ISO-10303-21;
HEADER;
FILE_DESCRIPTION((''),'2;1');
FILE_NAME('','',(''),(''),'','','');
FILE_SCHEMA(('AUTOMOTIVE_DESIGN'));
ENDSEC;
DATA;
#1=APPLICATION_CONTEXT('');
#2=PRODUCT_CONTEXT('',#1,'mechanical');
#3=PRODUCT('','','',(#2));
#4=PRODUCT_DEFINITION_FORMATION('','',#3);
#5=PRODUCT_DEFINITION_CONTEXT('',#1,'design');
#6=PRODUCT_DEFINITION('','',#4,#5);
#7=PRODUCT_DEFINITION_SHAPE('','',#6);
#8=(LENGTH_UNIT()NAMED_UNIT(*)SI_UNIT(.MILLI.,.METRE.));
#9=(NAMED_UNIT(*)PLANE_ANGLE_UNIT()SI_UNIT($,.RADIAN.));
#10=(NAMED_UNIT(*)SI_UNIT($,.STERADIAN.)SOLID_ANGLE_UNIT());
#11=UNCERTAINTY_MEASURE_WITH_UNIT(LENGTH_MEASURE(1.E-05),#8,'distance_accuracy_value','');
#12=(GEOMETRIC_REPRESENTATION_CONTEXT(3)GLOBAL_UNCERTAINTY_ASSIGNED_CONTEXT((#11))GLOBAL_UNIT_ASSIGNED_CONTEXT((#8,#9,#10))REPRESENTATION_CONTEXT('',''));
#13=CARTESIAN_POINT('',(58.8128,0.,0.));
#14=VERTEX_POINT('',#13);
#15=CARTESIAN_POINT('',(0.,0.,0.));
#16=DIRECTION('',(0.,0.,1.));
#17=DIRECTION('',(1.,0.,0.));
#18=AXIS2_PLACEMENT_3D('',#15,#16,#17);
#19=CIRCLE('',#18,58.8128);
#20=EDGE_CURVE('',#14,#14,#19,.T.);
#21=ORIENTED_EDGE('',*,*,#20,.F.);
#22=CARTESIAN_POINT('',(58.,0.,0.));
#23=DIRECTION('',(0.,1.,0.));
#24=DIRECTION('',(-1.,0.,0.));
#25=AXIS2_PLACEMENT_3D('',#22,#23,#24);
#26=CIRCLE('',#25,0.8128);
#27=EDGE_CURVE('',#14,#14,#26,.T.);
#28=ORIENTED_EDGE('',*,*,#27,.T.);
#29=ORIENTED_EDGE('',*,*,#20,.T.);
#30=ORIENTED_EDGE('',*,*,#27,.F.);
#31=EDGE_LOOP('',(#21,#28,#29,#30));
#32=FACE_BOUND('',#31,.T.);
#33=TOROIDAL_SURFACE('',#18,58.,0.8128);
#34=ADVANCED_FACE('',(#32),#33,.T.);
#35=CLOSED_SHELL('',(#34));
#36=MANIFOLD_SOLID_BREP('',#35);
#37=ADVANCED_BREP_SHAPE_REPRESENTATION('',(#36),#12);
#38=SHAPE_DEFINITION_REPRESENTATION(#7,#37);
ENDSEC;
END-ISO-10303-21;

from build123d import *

# Parameters (mm, degrees)
SWEEP1_PROFILE_R = 0.8128


with BuildPart() as part:
    # Sweep1: sweep along a path in Sketch1
    with BuildLine(Plane.XY) as sweep1_path:
        CenterArc((0, 0), 58, 0, 360)
    # Sweep1 profile (on start of the path) → Sweep1 (sweep)
    with BuildSketch(Plane(origin=(58, 0, 0), x_dir=(0, 0, 1), z_dir=(0, 1, 0))):
        Circle(SWEEP1_PROFILE_R)
    sweep(path=sweep1_path.line)


solid = part.part
